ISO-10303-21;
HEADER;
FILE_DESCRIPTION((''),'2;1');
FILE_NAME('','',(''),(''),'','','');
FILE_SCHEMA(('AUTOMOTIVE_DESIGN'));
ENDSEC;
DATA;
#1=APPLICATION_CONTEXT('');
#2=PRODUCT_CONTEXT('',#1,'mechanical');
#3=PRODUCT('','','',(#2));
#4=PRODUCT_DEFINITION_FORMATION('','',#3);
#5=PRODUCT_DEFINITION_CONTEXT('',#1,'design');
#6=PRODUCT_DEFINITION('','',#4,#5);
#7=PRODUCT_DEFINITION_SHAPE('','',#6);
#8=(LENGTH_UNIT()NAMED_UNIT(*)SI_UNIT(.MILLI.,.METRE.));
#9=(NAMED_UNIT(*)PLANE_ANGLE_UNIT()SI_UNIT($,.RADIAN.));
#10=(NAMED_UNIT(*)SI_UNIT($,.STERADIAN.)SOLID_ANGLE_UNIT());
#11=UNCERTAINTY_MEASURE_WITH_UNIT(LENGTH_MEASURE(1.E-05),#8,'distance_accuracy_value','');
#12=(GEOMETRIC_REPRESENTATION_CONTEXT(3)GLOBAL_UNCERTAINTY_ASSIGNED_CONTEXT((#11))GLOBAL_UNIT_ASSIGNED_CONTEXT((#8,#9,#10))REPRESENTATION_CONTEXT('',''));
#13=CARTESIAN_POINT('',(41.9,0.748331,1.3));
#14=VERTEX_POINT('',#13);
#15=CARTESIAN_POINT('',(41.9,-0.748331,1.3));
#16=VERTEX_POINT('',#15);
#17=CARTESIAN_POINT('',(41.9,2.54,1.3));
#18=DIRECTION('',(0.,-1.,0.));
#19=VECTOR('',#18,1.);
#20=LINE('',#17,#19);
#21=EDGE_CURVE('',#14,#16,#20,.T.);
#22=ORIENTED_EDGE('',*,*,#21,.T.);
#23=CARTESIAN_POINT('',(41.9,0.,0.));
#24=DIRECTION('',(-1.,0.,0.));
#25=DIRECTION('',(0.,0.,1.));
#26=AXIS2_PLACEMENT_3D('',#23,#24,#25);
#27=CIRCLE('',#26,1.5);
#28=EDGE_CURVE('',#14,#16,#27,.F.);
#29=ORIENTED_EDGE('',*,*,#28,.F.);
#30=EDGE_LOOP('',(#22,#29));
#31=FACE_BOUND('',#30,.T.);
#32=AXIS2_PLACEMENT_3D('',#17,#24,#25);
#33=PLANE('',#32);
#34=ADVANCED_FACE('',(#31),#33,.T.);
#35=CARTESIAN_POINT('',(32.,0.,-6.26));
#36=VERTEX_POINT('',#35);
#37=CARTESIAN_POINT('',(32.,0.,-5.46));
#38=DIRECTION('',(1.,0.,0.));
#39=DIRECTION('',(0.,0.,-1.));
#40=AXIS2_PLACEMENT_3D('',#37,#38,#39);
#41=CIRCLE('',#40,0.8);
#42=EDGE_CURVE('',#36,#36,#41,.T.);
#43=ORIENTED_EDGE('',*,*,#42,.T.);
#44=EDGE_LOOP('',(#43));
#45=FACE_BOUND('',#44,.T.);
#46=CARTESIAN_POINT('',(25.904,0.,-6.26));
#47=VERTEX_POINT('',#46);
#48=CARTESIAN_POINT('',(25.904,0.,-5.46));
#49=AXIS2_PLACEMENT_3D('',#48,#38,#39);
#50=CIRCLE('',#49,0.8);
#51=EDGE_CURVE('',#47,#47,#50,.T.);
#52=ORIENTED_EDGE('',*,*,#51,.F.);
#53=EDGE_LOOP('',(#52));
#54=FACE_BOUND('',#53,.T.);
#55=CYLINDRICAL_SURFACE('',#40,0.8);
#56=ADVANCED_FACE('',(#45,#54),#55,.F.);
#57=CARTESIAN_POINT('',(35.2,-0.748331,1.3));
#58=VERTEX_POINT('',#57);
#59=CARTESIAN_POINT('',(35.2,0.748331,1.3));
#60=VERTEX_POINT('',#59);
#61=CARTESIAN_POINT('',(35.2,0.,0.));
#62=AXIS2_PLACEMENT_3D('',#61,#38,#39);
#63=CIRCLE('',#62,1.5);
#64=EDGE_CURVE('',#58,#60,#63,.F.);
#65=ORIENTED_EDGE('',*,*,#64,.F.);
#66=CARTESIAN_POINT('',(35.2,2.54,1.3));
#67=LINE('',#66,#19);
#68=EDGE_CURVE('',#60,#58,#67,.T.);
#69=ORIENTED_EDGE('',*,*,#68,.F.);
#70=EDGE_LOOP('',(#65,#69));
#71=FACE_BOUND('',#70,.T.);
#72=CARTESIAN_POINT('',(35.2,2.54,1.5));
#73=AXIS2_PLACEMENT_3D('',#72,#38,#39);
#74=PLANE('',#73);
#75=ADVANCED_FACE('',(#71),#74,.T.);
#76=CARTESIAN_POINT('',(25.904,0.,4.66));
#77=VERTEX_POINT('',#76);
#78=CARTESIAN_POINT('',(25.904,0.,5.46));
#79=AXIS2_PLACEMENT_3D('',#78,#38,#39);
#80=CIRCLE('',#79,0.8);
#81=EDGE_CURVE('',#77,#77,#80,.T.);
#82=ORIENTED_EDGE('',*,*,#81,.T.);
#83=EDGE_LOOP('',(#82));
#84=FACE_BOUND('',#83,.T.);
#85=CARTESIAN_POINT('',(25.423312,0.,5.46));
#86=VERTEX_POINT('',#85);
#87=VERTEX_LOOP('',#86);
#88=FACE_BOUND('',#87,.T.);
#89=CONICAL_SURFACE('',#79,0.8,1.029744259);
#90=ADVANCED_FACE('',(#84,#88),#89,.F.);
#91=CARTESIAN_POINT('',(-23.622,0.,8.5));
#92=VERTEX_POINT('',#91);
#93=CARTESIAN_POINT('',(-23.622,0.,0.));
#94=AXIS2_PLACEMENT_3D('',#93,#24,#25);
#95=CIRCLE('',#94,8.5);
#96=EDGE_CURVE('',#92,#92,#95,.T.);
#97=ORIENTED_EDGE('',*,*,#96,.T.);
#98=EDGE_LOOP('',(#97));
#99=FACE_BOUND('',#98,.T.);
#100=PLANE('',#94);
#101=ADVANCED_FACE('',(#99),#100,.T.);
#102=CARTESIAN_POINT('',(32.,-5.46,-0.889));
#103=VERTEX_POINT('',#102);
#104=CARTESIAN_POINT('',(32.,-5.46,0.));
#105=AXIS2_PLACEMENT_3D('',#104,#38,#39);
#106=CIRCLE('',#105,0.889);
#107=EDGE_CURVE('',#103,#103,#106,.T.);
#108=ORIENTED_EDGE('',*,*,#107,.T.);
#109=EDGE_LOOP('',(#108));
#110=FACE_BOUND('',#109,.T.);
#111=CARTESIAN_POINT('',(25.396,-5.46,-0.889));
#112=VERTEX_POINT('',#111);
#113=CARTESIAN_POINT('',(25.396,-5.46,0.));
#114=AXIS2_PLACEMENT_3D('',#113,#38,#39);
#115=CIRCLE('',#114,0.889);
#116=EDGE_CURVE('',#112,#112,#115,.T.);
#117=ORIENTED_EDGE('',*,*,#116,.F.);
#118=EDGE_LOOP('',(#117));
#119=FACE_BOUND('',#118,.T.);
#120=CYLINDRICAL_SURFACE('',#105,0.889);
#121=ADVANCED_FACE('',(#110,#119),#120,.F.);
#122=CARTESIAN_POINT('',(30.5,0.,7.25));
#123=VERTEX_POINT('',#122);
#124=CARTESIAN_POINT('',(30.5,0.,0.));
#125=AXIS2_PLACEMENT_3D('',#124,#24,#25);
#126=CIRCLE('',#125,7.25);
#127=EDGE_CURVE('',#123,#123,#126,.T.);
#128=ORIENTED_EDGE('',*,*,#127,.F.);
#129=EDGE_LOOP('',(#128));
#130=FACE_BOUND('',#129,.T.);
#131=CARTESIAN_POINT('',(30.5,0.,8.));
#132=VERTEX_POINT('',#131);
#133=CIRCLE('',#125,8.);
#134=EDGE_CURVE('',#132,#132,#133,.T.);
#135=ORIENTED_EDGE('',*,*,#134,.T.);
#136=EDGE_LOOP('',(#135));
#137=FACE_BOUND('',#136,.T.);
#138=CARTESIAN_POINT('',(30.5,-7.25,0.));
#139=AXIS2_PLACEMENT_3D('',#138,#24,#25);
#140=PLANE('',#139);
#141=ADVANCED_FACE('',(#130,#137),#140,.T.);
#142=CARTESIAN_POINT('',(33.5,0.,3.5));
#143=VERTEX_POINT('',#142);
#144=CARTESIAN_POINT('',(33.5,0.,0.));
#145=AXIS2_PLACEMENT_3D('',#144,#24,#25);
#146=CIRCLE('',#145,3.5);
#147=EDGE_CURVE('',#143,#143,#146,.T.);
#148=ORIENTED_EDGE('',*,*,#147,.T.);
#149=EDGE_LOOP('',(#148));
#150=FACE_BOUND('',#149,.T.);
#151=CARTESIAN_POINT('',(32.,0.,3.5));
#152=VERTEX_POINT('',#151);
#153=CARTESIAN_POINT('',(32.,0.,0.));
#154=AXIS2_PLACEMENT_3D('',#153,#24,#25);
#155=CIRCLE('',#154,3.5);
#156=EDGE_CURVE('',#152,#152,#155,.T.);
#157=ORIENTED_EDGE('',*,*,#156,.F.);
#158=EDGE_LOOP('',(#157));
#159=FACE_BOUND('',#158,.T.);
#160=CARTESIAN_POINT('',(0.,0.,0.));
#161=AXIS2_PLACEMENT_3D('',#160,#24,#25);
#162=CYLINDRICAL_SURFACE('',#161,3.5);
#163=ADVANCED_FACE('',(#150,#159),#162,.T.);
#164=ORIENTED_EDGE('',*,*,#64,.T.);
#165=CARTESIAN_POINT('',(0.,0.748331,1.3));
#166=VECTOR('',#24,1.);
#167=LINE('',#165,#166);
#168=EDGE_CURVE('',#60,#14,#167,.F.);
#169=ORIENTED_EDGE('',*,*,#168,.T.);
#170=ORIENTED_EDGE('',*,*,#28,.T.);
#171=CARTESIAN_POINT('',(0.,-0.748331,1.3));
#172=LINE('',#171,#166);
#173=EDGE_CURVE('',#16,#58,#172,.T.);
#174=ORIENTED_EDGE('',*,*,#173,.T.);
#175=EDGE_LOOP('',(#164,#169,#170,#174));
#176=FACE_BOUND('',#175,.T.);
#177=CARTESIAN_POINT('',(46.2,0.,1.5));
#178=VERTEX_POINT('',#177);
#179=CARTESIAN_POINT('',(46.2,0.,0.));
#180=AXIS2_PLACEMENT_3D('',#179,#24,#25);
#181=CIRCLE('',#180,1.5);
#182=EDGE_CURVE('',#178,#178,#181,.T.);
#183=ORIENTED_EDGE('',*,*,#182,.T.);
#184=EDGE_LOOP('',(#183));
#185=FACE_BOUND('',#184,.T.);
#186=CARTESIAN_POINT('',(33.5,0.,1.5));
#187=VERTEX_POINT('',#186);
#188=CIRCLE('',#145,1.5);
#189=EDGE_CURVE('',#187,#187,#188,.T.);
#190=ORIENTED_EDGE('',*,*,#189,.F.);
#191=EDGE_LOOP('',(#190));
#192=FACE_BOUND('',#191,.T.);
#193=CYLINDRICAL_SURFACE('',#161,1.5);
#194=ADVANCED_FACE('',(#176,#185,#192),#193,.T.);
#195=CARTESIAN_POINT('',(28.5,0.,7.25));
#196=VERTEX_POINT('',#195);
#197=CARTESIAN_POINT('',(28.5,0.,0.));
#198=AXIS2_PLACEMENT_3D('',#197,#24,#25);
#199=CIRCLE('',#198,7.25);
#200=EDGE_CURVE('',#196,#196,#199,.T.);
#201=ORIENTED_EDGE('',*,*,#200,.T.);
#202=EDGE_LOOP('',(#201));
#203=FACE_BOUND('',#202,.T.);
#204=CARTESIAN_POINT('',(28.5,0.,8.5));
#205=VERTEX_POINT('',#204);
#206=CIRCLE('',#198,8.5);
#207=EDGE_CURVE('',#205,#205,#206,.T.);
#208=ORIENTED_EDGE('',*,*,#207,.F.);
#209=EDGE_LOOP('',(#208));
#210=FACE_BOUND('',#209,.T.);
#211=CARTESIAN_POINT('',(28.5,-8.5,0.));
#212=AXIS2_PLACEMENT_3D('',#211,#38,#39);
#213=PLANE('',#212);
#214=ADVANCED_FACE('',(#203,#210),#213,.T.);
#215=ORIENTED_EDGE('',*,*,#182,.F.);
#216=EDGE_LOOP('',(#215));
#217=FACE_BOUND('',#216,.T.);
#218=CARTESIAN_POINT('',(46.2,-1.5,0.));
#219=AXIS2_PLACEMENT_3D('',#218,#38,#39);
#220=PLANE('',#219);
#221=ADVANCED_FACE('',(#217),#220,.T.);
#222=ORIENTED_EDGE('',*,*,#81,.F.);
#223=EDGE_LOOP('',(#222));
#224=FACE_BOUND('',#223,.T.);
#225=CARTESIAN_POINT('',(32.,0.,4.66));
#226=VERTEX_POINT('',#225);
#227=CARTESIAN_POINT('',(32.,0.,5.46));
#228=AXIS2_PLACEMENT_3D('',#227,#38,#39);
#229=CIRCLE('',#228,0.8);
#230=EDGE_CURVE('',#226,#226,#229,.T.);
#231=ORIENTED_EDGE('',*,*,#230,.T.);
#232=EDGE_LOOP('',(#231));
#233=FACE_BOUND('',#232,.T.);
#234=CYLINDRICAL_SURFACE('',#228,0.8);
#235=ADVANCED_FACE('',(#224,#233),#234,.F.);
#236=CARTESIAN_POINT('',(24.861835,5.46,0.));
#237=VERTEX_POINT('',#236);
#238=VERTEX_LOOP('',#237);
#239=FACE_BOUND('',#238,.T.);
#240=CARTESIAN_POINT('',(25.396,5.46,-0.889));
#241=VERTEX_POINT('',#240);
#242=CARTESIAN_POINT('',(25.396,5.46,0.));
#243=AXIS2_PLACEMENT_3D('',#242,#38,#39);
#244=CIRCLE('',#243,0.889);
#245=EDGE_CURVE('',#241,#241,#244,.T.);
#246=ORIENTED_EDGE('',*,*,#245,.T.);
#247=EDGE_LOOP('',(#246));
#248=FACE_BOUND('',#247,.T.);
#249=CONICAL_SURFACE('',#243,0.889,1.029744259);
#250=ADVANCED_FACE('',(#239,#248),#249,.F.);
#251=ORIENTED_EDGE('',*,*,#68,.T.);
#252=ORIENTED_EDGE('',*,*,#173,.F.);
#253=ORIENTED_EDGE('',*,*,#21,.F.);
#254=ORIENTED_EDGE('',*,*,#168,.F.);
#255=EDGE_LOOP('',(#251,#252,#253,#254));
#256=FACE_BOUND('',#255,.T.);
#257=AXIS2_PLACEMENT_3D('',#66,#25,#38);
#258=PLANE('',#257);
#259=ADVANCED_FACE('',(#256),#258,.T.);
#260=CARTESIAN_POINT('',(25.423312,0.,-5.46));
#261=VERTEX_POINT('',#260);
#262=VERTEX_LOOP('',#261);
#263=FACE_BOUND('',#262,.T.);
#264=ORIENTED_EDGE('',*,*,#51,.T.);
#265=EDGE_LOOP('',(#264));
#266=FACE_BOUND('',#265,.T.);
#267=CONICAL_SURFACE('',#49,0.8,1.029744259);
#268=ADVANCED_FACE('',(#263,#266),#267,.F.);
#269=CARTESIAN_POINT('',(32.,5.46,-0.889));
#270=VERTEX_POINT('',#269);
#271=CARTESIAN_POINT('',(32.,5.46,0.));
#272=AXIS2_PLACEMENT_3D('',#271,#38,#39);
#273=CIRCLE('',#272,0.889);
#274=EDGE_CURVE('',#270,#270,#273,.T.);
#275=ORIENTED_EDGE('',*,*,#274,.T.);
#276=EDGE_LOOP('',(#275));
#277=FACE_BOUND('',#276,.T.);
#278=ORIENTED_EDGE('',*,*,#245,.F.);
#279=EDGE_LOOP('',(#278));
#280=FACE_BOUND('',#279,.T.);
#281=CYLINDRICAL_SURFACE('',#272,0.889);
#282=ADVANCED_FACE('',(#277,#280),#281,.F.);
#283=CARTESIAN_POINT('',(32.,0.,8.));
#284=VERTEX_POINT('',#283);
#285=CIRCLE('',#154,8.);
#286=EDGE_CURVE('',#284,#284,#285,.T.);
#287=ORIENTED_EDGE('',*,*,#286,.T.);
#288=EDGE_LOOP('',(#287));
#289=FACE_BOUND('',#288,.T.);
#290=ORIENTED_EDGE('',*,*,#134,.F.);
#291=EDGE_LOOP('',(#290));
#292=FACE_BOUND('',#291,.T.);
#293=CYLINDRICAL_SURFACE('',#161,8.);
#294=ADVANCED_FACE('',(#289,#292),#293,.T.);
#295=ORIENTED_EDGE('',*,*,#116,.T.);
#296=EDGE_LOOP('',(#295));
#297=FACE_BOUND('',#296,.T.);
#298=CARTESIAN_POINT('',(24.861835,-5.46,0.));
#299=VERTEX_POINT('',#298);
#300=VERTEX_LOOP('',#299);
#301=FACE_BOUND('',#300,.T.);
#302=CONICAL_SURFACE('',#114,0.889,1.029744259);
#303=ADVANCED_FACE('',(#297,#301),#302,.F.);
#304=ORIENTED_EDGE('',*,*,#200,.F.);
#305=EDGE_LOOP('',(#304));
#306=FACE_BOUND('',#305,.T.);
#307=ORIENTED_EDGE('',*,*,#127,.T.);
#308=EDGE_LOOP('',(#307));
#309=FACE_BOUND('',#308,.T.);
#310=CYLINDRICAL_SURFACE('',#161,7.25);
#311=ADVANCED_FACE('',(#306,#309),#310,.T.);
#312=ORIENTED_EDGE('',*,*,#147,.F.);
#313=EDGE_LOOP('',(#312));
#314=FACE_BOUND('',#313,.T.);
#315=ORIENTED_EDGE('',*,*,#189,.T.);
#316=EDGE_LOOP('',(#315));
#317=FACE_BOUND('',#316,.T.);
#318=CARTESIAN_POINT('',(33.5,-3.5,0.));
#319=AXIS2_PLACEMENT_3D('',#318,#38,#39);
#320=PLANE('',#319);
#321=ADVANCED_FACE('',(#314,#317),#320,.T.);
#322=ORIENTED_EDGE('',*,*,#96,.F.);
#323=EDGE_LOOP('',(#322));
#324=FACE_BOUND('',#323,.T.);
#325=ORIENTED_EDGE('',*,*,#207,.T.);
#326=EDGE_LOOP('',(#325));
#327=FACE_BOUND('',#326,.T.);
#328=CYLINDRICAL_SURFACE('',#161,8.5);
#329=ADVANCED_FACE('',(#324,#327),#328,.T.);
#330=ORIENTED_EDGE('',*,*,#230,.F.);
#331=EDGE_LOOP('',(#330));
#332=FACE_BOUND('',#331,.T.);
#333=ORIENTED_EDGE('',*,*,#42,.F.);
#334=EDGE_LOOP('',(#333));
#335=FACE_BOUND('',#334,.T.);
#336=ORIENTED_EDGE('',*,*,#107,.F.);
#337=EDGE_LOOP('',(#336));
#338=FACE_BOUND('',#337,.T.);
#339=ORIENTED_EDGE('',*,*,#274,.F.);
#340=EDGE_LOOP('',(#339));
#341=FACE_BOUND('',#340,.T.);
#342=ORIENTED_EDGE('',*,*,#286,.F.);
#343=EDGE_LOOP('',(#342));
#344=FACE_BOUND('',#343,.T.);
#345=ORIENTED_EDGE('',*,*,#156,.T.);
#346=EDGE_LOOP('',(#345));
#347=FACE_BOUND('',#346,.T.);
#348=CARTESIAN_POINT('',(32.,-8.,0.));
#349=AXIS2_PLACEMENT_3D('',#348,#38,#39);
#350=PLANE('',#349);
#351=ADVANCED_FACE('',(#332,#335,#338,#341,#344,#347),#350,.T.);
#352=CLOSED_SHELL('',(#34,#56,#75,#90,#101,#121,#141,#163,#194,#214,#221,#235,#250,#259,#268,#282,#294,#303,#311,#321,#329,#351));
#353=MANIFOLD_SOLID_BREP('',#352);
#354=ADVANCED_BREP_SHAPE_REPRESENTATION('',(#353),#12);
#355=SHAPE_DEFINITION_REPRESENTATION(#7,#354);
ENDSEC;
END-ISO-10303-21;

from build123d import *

# Parameters (mm, degrees)
CUT_EXTRUDE1_DEPTH        = 2.54
CUT_EXTRUDE1_DEPTH_BACK   = 2.54
SKETCH4_W                 = 6.7
SKETCH4_H                 = 0.2
F_2_56_TAPPED_HOLE1_D     = 1.778
F_2_56_TAPPED_HOLE1_DEPTH = 6.604
F_2_56_TAPPED_HOLE1_TIP   = 0.53416509
M2X0_4_TAPPED_HOLE1_D     = 1.6
M2X0_4_TAPPED_HOLE1_DEPTH = 6.096
M2X0_4_TAPPED_HOLE1_TIP   = 0.480688495
SKETCH10_R                = 8.5
BOSS_EXTRUDE2_DEPTH       = 23.622


with BuildPart() as part:
    # Sketch3 → Revolve1 (revolve)
    with BuildSketch(Plane.XY):
        Polygon((0, -8.5), (28.5, -8.5), (28.5, -7.25), (30.5, -7.25), (30.5, -8), (32, -8), (32, -3.5), (33.5, -3.5), (33.5, -1.5), (40.888216755, -1.5), (41.661571645, -1.5), (46.2, -1.5), (46.2, 0), (0, 0), align=None)
    revolve(axis=Axis((0, 0, 0), (1, 0, 0)))

    # Sketch4 → Cut-Extrude1 (cut, two sides: drawn at the far end of the back side and taken through both)
    with BuildSketch(Plane(origin=(0, 0, 0), x_dir=(1, 0, 0), z_dir=(0, 1, 0)).offset(-CUT_EXTRUDE1_DEPTH_BACK)):
        with Locations((38.55, -1.4)):
            Rectangle(SKETCH4_W, SKETCH4_H)
    extrude(amount=CUT_EXTRUDE1_DEPTH + CUT_EXTRUDE1_DEPTH_BACK, mode=Mode.SUBTRACT)

    # #2-56 Tapped Hole1
    with Locations(Plane(origin=(32, 0, 0), x_dir=(0, 0, -1), z_dir=(1, 0, 0))):
        with Locations((0, 5.46), (0, -5.46)):
            Hole(F_2_56_TAPPED_HOLE1_D / 2, depth=F_2_56_TAPPED_HOLE1_DEPTH)
            with Locations((0, 0, -(F_2_56_TAPPED_HOLE1_DEPTH + F_2_56_TAPPED_HOLE1_TIP / 2))):  # 118° drill point
                Cone(0, F_2_56_TAPPED_HOLE1_D / 2, F_2_56_TAPPED_HOLE1_TIP, mode=Mode.SUBTRACT)

    # M2x0.4 Tapped Hole1
    with Locations(Plane(origin=(32, 0, 0), x_dir=(0, 0, -1), z_dir=(1, 0, 0))):
        with Locations((-5.46, 0), (5.46, 0)):
            Hole(M2X0_4_TAPPED_HOLE1_D / 2, depth=M2X0_4_TAPPED_HOLE1_DEPTH)
            with Locations((0, 0, -(M2X0_4_TAPPED_HOLE1_DEPTH + M2X0_4_TAPPED_HOLE1_TIP / 2))):  # 118° drill point
                Cone(0, M2X0_4_TAPPED_HOLE1_D / 2, M2X0_4_TAPPED_HOLE1_TIP, mode=Mode.SUBTRACT)

    # Sketch10 → Boss-Extrude2 (add)
    with BuildSketch(Plane.ZY):
        Circle(SKETCH10_R)
    extrude(amount=BOSS_EXTRUDE2_DEPTH)


solid = part.part
